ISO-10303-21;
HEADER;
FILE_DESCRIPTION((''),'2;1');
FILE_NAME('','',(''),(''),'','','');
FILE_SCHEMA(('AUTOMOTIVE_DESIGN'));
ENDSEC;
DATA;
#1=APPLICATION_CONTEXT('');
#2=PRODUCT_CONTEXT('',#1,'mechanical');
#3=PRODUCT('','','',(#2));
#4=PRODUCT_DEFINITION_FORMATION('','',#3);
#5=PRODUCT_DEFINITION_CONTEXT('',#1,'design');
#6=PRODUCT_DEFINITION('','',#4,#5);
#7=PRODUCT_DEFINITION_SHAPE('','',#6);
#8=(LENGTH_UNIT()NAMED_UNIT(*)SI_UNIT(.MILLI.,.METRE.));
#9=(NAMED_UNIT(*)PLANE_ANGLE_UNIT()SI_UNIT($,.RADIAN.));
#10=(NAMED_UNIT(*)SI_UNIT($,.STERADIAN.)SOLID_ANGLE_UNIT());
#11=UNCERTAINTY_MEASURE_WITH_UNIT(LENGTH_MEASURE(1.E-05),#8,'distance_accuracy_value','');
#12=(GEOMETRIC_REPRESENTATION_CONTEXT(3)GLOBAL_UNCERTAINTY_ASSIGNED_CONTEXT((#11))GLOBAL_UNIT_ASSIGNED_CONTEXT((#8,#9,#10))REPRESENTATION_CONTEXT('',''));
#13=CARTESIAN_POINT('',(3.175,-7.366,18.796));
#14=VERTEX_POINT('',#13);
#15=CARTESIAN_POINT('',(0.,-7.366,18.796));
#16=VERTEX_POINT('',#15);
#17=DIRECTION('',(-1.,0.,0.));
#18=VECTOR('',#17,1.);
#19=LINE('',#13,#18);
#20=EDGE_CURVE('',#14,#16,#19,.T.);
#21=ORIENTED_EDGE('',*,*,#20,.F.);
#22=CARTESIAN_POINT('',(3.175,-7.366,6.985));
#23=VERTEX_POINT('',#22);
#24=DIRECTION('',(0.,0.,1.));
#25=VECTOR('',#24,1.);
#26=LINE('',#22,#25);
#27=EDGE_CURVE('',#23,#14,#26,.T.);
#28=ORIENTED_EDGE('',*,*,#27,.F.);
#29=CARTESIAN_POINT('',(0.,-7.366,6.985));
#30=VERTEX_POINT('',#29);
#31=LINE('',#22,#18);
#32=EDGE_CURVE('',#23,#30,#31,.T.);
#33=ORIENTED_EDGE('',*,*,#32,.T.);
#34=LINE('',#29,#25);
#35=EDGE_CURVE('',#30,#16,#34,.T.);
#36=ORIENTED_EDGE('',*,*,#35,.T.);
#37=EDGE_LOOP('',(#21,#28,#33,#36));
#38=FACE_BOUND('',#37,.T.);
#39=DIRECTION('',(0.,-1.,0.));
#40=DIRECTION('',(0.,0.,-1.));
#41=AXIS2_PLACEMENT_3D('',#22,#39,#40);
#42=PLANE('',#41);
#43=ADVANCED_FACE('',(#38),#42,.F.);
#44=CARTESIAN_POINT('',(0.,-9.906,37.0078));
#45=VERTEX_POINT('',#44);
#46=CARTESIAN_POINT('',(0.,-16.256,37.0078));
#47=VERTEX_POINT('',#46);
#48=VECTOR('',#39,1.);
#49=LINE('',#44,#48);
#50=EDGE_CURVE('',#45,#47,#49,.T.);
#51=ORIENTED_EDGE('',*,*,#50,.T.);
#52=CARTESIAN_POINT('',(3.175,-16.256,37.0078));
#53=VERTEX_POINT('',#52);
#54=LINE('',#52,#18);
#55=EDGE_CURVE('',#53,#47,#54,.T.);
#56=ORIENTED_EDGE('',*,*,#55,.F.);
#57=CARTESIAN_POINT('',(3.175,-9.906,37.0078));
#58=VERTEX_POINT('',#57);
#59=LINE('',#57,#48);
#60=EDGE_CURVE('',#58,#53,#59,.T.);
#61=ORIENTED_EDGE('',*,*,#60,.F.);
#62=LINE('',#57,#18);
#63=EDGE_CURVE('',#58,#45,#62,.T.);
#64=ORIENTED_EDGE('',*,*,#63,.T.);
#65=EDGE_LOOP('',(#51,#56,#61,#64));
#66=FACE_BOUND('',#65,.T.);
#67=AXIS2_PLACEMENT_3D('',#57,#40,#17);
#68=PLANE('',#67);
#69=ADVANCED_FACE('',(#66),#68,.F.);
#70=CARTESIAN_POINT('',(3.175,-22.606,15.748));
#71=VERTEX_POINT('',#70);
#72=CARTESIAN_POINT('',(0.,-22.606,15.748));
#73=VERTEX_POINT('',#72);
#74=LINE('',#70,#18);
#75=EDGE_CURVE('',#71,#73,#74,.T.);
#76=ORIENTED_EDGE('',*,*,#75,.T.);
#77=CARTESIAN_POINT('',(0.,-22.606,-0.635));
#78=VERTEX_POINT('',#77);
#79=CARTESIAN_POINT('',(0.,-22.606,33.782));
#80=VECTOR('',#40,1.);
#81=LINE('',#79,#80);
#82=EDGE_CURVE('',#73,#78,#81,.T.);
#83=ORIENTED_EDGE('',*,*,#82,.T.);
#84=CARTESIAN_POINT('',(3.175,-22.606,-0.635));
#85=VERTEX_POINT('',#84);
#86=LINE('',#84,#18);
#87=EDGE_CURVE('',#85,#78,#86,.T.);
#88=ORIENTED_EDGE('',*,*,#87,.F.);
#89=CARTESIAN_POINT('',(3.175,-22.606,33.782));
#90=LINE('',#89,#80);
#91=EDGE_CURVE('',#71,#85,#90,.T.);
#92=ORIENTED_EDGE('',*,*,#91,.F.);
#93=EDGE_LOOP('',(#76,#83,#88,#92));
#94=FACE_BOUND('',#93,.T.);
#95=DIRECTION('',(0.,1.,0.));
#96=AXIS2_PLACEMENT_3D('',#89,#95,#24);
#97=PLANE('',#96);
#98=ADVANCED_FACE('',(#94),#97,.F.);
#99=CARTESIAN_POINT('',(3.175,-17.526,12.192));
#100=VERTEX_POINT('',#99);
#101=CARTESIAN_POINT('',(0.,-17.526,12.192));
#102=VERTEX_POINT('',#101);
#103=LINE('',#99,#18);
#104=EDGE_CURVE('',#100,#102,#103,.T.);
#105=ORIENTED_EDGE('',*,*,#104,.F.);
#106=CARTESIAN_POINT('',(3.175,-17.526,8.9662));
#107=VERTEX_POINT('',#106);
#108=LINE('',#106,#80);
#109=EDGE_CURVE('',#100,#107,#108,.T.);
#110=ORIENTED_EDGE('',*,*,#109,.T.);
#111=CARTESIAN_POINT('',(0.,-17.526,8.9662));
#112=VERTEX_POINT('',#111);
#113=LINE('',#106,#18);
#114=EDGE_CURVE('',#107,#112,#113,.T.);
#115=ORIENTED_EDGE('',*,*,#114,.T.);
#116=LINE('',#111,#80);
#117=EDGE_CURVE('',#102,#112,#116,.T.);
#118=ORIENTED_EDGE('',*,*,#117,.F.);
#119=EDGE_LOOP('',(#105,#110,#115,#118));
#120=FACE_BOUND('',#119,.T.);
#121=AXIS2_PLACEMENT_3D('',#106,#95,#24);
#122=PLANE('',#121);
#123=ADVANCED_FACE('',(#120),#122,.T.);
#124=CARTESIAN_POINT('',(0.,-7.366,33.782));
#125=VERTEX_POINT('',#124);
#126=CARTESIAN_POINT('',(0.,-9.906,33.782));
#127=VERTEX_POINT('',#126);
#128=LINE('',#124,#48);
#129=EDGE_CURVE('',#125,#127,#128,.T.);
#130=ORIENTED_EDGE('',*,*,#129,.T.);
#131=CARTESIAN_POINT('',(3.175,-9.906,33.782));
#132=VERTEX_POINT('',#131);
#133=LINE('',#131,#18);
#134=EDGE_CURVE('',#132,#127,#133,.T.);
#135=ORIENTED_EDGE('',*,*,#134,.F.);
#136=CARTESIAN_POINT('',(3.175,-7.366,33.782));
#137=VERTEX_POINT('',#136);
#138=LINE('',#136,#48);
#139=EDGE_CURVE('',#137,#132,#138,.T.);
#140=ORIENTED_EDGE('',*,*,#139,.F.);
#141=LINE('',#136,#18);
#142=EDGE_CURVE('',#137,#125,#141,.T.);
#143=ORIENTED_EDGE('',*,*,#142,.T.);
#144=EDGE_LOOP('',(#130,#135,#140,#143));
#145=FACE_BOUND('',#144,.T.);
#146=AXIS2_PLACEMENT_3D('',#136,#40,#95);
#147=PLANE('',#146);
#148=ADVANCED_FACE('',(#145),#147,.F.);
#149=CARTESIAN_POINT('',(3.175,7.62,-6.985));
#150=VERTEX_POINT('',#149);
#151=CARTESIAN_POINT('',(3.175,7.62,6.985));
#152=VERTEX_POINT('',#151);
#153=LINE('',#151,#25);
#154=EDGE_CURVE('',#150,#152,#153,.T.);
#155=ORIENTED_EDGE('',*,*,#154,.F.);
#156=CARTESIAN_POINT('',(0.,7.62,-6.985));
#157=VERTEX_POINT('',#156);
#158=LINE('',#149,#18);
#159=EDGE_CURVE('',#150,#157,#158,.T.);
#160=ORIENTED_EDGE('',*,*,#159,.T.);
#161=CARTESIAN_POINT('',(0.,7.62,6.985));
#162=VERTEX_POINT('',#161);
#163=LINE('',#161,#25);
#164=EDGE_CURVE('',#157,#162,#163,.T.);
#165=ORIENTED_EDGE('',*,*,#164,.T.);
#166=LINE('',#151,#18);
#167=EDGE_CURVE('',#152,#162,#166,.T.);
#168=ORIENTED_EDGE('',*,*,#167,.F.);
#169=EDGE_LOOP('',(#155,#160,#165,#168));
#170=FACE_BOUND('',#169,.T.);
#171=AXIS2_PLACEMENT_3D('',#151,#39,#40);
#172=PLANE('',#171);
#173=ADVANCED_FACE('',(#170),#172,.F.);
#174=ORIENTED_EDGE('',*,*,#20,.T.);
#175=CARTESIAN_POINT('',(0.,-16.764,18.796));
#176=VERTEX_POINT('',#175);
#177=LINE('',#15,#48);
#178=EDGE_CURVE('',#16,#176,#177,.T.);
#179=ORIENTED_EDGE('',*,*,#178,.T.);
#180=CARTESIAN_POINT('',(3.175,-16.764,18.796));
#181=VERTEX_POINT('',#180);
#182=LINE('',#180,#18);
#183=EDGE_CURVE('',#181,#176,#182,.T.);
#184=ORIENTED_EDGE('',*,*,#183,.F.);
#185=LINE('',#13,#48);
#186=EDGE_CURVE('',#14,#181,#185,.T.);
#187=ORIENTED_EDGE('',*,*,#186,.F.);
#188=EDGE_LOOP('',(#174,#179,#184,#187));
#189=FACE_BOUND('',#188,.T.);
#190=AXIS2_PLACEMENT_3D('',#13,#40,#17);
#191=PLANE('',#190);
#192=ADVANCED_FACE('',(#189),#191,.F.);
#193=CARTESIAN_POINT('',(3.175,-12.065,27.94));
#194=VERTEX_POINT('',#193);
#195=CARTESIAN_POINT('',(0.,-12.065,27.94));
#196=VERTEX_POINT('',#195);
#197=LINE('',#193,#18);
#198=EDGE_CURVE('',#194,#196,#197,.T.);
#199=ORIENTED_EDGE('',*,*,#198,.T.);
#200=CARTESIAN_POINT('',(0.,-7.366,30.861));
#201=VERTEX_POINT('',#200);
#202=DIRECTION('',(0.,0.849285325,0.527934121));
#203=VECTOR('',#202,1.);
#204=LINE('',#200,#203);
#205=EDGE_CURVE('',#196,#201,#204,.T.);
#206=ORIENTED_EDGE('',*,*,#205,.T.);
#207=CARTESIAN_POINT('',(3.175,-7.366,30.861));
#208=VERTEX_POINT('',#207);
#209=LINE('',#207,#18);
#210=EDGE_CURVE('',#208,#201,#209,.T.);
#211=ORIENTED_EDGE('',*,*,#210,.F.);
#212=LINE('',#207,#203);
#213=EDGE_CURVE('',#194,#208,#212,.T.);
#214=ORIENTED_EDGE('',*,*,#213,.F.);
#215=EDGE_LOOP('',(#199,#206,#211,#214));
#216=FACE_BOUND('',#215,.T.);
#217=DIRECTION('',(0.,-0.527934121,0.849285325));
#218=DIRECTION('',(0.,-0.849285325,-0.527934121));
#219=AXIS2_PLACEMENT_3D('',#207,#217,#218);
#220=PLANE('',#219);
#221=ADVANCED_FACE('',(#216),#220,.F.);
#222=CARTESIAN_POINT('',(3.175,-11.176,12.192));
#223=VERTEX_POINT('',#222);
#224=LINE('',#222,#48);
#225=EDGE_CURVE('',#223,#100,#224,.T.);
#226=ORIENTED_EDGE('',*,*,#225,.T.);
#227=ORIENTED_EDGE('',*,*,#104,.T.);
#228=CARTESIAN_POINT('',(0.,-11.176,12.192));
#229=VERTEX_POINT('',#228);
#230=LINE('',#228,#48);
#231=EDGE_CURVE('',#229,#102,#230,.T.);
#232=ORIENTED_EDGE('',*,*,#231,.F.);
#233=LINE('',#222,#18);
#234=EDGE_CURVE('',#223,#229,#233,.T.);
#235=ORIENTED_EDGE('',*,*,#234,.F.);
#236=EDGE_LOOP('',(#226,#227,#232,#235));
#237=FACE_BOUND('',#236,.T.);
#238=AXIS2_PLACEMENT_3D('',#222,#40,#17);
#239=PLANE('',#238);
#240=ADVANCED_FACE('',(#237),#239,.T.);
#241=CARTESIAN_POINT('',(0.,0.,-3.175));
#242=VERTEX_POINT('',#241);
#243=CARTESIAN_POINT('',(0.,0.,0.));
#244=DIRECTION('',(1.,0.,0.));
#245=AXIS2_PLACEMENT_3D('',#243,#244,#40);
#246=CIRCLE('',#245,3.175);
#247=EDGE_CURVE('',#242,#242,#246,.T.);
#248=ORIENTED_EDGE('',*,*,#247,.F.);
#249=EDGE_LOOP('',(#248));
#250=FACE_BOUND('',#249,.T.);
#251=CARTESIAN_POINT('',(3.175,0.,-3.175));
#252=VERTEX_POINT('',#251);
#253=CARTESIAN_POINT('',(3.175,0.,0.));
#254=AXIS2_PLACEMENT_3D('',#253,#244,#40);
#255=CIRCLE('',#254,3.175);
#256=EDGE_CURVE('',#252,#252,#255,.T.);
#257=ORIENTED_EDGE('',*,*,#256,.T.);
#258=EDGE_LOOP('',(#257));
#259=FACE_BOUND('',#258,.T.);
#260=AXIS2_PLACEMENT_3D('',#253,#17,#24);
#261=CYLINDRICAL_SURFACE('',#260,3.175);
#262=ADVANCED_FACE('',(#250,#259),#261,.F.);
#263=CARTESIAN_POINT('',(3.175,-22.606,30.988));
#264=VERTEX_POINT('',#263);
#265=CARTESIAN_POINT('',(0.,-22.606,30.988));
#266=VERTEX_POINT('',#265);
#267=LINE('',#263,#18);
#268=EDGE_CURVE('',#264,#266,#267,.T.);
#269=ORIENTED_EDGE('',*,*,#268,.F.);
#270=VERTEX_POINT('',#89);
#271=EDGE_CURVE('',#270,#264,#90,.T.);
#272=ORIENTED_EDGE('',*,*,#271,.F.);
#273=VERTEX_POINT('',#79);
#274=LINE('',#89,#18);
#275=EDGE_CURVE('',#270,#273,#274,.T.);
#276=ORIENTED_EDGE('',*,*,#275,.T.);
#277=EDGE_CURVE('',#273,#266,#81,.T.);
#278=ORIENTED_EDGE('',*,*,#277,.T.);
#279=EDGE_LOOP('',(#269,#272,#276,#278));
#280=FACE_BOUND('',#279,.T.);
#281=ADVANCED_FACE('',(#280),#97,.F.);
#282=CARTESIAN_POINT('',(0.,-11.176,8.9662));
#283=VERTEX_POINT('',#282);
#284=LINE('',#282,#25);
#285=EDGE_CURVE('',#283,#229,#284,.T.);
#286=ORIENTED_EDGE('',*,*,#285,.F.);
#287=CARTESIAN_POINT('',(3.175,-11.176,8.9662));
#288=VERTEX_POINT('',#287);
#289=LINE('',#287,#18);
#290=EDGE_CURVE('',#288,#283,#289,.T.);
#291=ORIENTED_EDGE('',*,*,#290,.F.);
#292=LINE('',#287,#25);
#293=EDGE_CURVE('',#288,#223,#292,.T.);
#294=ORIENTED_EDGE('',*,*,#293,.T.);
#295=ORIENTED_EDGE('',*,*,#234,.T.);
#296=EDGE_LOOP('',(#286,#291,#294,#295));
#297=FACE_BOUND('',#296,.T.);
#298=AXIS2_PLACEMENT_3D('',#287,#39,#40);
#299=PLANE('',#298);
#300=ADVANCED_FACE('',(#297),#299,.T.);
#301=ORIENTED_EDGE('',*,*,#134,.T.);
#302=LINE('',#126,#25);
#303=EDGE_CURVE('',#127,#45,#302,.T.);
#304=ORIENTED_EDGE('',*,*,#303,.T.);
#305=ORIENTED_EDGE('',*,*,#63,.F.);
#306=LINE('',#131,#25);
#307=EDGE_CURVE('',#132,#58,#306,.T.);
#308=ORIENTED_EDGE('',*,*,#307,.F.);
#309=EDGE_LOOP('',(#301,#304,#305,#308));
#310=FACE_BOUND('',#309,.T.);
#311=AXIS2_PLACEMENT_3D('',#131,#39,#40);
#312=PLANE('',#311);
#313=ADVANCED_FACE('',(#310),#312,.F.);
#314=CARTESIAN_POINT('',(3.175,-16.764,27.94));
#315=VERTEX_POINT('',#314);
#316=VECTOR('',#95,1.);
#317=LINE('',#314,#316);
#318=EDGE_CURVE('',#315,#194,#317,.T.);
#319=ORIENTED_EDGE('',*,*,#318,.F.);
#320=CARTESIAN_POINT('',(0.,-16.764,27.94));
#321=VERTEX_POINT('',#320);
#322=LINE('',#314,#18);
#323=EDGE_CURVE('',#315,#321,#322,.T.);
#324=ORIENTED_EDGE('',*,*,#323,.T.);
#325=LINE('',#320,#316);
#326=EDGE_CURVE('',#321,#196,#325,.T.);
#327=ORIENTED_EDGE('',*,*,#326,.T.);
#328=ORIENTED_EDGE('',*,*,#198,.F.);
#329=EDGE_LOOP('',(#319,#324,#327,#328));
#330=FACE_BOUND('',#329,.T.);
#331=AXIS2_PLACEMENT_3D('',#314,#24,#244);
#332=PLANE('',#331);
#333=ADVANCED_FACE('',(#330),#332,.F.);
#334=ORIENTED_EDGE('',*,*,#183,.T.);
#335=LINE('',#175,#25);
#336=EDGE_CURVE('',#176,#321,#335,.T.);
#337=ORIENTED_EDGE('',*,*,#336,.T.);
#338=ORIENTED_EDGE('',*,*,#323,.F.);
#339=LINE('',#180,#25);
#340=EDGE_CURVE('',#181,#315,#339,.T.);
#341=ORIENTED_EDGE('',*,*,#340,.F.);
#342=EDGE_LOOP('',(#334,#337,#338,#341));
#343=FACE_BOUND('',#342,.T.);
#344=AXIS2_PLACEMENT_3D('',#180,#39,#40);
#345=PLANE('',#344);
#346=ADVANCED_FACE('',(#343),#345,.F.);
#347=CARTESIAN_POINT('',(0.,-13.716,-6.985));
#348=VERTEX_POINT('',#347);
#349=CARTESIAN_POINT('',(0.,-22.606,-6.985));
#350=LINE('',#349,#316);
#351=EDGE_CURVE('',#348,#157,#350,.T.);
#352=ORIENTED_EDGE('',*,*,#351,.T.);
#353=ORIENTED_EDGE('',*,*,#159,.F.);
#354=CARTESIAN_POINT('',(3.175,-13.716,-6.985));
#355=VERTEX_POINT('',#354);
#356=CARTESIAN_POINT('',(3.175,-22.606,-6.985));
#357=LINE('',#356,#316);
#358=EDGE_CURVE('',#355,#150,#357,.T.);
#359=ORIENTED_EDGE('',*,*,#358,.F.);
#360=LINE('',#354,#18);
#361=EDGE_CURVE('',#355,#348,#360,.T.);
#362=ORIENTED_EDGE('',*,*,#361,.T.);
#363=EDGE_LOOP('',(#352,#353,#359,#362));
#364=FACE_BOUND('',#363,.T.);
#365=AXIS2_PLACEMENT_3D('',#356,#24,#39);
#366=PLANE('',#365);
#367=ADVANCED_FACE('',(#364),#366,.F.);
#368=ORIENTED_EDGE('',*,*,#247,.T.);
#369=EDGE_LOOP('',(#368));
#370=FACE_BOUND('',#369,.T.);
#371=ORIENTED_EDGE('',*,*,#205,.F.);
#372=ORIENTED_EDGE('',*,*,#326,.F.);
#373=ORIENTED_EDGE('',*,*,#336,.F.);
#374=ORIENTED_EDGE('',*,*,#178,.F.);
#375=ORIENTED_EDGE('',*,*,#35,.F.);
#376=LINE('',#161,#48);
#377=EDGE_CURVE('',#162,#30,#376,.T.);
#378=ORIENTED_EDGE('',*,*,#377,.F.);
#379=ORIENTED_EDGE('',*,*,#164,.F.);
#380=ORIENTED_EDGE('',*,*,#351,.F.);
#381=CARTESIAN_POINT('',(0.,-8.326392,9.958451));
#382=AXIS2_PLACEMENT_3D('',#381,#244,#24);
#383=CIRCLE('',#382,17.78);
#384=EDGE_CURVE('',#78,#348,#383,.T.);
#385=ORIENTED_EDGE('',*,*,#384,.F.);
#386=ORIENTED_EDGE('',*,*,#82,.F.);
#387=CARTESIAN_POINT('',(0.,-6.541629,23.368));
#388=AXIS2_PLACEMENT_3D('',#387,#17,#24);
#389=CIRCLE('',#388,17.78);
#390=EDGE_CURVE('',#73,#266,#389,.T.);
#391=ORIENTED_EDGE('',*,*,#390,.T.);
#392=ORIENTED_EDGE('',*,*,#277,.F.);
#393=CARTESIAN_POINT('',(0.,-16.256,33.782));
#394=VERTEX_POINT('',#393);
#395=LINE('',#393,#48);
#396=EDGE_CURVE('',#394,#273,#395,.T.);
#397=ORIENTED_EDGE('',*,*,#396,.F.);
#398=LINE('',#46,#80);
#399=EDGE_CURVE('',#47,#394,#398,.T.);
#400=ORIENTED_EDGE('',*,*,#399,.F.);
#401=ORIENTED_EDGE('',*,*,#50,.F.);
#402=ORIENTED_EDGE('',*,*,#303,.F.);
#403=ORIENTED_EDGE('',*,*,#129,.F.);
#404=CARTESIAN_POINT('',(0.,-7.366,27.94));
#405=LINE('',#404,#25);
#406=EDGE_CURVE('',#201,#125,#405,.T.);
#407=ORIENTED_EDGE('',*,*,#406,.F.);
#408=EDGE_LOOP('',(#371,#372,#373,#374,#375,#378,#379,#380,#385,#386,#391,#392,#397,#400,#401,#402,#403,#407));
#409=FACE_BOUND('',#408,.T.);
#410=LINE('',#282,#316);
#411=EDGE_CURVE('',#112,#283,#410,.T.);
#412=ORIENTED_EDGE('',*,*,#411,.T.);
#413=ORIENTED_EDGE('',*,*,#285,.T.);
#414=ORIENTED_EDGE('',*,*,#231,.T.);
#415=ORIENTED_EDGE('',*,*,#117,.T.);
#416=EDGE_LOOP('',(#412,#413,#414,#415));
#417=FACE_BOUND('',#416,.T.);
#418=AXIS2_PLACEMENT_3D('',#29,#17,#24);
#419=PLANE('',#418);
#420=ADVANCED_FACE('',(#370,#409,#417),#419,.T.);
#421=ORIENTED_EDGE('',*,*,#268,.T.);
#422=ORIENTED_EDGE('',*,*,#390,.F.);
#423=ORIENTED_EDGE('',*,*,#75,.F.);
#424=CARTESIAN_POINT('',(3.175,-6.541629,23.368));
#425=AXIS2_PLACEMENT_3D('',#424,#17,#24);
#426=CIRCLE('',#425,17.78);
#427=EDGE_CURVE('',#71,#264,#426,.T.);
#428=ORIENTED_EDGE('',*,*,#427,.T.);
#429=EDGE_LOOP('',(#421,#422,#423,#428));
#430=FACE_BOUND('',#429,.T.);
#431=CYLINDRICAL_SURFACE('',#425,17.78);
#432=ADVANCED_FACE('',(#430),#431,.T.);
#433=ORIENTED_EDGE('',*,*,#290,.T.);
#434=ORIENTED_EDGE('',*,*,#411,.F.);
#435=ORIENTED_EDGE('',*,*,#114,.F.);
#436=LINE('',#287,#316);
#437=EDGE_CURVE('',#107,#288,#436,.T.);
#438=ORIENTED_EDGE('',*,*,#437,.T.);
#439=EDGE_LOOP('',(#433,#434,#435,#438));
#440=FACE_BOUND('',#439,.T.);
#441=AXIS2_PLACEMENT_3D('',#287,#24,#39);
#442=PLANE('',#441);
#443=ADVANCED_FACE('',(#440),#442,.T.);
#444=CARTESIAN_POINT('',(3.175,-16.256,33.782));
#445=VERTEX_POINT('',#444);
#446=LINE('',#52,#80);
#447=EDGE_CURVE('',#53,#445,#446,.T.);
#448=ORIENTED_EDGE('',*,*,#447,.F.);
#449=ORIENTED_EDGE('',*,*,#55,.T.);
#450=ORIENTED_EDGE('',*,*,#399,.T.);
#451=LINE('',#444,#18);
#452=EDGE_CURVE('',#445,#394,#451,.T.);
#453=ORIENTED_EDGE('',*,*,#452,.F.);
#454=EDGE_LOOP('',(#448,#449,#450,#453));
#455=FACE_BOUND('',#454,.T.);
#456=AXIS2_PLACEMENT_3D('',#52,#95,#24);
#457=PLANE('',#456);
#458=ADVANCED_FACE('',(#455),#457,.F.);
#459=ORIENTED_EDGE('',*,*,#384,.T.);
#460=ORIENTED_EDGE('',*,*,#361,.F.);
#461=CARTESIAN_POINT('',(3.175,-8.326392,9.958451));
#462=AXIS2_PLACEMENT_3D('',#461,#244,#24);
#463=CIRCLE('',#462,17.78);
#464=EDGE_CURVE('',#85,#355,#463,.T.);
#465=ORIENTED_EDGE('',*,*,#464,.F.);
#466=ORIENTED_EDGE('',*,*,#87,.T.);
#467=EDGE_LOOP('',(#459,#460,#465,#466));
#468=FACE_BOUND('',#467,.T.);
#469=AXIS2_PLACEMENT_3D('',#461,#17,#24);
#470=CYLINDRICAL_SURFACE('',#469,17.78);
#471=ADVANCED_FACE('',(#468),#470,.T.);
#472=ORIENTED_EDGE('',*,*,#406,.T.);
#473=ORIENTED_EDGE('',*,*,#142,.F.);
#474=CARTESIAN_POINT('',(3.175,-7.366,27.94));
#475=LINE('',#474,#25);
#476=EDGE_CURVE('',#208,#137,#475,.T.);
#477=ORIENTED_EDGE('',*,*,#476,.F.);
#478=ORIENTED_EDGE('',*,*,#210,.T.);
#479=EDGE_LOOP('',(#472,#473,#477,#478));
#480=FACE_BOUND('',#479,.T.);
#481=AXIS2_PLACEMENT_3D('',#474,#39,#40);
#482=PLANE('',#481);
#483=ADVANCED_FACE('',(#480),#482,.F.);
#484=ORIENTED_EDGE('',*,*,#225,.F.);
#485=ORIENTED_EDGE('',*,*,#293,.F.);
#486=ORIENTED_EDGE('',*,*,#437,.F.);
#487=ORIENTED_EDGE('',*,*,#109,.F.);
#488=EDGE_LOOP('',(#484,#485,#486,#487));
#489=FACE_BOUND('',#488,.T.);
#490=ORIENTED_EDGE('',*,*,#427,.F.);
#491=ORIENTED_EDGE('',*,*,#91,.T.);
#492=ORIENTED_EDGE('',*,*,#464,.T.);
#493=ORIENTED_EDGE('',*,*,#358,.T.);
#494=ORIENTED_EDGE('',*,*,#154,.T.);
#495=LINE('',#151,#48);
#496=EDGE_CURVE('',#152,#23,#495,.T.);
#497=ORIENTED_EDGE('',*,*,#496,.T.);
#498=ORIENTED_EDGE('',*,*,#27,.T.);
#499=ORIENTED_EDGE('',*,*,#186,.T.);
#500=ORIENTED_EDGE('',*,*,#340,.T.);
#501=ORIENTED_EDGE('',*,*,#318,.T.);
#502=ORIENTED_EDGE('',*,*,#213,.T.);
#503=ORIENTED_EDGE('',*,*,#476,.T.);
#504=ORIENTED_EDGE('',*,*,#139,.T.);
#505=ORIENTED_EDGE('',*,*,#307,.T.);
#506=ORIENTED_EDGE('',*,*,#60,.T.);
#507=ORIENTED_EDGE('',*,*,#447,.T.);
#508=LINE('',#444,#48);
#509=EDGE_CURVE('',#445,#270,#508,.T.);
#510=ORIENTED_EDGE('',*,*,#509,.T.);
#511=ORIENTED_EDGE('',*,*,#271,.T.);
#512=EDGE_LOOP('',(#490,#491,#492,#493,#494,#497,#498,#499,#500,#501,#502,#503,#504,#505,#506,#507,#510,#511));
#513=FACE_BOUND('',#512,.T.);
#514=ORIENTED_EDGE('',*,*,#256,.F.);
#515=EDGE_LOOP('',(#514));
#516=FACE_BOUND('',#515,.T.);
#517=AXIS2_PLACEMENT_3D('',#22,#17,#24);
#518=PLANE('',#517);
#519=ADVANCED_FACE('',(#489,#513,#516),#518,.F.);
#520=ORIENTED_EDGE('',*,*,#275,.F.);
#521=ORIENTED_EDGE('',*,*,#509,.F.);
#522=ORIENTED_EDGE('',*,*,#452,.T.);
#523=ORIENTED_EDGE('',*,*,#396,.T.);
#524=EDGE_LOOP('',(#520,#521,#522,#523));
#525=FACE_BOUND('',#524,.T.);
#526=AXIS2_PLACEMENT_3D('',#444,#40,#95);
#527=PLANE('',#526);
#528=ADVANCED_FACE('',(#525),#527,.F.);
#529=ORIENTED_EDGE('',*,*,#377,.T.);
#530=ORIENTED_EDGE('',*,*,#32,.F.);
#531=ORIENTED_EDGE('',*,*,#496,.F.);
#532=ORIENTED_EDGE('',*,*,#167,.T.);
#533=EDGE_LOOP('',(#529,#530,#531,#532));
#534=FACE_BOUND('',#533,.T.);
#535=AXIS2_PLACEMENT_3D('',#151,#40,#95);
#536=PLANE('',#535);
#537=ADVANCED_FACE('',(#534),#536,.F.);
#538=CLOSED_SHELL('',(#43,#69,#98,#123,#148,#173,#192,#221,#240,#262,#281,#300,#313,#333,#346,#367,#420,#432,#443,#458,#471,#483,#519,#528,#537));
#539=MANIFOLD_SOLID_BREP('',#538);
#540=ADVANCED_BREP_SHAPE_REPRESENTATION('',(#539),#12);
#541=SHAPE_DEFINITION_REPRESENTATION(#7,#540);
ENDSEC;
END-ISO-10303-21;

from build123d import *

# Parameters (mm, degrees)
SKETCH1_R                = 3.175
SKETCH1_W                = 3.2258
SKETCH1_H                = 6.35
BOSS_EXTRUDE1_DEPTH      = 3.175
ADD_BODY_AT_BOTTOM_DEPTH = 3.175
CUT_EXTRUDE1_DEPTH       = 4.175


with BuildPart() as part:
    # Sketch1 → Boss-Extrude1 (new body)
    with BuildSketch(Plane(origin=(0, 0, 0), x_dir=(0, 0, -1), z_dir=(1, 0, 0))):
        Polygon((-6.985, 7.62), (6.985, 7.62), (6.985, -22.606), (-33.782, -22.606), (-33.782, -16.256), (-37.0078, -16.256), (-37.0078, -9.906), (-33.782, -9.906), (-33.782, -7.366), (-27.94, -7.366), (-27.94, -16.764), (-18.796, -16.764), (-18.796, -7.366), (-6.985, -7.366), align=None)
        Circle(SKETCH1_R, mode=Mode.SUBTRACT)
        with Locations((-10.5791, -14.351)):
            Rectangle(SKETCH1_W, SKETCH1_H, mode=Mode.SUBTRACT)
    extrude(amount=BOSS_EXTRUDE1_DEPTH)

    # Sketch2 → add body at bottom (add)
    with BuildSketch(Plane.ZY):
        with BuildLine():
            Line((23.368, -22.606), (15.748, -22.606))
            ThreePointArc((15.748, -22.606), (23.368, -24.321629486), (30.988, -22.606))
            Line((30.988, -22.606), (23.368, -22.606))
        make_face()
    extrude(amount=-ADD_BODY_AT_BOTTOM_DEPTH)

    # Sketch3 → Cut-Extrude1 (cut, through all)
    with BuildSketch(Plane.ZY):
        Polygon((30.861, -7.366), (27.94, -12.065), (27.94, -7.366), align=None)
        with BuildLine():
            Line((-6.985, -22.606), (-0.635, -22.606))
            ThreePointArc((-0.635, -22.606), (-4.50973023, -18.660807307), (-6.985, -13.716))
            Line((-6.985, -13.716), (-6.985, -22.606))
        make_face()
    extrude(amount=-CUT_EXTRUDE1_DEPTH, mode=Mode.SUBTRACT)


solid = part.part
